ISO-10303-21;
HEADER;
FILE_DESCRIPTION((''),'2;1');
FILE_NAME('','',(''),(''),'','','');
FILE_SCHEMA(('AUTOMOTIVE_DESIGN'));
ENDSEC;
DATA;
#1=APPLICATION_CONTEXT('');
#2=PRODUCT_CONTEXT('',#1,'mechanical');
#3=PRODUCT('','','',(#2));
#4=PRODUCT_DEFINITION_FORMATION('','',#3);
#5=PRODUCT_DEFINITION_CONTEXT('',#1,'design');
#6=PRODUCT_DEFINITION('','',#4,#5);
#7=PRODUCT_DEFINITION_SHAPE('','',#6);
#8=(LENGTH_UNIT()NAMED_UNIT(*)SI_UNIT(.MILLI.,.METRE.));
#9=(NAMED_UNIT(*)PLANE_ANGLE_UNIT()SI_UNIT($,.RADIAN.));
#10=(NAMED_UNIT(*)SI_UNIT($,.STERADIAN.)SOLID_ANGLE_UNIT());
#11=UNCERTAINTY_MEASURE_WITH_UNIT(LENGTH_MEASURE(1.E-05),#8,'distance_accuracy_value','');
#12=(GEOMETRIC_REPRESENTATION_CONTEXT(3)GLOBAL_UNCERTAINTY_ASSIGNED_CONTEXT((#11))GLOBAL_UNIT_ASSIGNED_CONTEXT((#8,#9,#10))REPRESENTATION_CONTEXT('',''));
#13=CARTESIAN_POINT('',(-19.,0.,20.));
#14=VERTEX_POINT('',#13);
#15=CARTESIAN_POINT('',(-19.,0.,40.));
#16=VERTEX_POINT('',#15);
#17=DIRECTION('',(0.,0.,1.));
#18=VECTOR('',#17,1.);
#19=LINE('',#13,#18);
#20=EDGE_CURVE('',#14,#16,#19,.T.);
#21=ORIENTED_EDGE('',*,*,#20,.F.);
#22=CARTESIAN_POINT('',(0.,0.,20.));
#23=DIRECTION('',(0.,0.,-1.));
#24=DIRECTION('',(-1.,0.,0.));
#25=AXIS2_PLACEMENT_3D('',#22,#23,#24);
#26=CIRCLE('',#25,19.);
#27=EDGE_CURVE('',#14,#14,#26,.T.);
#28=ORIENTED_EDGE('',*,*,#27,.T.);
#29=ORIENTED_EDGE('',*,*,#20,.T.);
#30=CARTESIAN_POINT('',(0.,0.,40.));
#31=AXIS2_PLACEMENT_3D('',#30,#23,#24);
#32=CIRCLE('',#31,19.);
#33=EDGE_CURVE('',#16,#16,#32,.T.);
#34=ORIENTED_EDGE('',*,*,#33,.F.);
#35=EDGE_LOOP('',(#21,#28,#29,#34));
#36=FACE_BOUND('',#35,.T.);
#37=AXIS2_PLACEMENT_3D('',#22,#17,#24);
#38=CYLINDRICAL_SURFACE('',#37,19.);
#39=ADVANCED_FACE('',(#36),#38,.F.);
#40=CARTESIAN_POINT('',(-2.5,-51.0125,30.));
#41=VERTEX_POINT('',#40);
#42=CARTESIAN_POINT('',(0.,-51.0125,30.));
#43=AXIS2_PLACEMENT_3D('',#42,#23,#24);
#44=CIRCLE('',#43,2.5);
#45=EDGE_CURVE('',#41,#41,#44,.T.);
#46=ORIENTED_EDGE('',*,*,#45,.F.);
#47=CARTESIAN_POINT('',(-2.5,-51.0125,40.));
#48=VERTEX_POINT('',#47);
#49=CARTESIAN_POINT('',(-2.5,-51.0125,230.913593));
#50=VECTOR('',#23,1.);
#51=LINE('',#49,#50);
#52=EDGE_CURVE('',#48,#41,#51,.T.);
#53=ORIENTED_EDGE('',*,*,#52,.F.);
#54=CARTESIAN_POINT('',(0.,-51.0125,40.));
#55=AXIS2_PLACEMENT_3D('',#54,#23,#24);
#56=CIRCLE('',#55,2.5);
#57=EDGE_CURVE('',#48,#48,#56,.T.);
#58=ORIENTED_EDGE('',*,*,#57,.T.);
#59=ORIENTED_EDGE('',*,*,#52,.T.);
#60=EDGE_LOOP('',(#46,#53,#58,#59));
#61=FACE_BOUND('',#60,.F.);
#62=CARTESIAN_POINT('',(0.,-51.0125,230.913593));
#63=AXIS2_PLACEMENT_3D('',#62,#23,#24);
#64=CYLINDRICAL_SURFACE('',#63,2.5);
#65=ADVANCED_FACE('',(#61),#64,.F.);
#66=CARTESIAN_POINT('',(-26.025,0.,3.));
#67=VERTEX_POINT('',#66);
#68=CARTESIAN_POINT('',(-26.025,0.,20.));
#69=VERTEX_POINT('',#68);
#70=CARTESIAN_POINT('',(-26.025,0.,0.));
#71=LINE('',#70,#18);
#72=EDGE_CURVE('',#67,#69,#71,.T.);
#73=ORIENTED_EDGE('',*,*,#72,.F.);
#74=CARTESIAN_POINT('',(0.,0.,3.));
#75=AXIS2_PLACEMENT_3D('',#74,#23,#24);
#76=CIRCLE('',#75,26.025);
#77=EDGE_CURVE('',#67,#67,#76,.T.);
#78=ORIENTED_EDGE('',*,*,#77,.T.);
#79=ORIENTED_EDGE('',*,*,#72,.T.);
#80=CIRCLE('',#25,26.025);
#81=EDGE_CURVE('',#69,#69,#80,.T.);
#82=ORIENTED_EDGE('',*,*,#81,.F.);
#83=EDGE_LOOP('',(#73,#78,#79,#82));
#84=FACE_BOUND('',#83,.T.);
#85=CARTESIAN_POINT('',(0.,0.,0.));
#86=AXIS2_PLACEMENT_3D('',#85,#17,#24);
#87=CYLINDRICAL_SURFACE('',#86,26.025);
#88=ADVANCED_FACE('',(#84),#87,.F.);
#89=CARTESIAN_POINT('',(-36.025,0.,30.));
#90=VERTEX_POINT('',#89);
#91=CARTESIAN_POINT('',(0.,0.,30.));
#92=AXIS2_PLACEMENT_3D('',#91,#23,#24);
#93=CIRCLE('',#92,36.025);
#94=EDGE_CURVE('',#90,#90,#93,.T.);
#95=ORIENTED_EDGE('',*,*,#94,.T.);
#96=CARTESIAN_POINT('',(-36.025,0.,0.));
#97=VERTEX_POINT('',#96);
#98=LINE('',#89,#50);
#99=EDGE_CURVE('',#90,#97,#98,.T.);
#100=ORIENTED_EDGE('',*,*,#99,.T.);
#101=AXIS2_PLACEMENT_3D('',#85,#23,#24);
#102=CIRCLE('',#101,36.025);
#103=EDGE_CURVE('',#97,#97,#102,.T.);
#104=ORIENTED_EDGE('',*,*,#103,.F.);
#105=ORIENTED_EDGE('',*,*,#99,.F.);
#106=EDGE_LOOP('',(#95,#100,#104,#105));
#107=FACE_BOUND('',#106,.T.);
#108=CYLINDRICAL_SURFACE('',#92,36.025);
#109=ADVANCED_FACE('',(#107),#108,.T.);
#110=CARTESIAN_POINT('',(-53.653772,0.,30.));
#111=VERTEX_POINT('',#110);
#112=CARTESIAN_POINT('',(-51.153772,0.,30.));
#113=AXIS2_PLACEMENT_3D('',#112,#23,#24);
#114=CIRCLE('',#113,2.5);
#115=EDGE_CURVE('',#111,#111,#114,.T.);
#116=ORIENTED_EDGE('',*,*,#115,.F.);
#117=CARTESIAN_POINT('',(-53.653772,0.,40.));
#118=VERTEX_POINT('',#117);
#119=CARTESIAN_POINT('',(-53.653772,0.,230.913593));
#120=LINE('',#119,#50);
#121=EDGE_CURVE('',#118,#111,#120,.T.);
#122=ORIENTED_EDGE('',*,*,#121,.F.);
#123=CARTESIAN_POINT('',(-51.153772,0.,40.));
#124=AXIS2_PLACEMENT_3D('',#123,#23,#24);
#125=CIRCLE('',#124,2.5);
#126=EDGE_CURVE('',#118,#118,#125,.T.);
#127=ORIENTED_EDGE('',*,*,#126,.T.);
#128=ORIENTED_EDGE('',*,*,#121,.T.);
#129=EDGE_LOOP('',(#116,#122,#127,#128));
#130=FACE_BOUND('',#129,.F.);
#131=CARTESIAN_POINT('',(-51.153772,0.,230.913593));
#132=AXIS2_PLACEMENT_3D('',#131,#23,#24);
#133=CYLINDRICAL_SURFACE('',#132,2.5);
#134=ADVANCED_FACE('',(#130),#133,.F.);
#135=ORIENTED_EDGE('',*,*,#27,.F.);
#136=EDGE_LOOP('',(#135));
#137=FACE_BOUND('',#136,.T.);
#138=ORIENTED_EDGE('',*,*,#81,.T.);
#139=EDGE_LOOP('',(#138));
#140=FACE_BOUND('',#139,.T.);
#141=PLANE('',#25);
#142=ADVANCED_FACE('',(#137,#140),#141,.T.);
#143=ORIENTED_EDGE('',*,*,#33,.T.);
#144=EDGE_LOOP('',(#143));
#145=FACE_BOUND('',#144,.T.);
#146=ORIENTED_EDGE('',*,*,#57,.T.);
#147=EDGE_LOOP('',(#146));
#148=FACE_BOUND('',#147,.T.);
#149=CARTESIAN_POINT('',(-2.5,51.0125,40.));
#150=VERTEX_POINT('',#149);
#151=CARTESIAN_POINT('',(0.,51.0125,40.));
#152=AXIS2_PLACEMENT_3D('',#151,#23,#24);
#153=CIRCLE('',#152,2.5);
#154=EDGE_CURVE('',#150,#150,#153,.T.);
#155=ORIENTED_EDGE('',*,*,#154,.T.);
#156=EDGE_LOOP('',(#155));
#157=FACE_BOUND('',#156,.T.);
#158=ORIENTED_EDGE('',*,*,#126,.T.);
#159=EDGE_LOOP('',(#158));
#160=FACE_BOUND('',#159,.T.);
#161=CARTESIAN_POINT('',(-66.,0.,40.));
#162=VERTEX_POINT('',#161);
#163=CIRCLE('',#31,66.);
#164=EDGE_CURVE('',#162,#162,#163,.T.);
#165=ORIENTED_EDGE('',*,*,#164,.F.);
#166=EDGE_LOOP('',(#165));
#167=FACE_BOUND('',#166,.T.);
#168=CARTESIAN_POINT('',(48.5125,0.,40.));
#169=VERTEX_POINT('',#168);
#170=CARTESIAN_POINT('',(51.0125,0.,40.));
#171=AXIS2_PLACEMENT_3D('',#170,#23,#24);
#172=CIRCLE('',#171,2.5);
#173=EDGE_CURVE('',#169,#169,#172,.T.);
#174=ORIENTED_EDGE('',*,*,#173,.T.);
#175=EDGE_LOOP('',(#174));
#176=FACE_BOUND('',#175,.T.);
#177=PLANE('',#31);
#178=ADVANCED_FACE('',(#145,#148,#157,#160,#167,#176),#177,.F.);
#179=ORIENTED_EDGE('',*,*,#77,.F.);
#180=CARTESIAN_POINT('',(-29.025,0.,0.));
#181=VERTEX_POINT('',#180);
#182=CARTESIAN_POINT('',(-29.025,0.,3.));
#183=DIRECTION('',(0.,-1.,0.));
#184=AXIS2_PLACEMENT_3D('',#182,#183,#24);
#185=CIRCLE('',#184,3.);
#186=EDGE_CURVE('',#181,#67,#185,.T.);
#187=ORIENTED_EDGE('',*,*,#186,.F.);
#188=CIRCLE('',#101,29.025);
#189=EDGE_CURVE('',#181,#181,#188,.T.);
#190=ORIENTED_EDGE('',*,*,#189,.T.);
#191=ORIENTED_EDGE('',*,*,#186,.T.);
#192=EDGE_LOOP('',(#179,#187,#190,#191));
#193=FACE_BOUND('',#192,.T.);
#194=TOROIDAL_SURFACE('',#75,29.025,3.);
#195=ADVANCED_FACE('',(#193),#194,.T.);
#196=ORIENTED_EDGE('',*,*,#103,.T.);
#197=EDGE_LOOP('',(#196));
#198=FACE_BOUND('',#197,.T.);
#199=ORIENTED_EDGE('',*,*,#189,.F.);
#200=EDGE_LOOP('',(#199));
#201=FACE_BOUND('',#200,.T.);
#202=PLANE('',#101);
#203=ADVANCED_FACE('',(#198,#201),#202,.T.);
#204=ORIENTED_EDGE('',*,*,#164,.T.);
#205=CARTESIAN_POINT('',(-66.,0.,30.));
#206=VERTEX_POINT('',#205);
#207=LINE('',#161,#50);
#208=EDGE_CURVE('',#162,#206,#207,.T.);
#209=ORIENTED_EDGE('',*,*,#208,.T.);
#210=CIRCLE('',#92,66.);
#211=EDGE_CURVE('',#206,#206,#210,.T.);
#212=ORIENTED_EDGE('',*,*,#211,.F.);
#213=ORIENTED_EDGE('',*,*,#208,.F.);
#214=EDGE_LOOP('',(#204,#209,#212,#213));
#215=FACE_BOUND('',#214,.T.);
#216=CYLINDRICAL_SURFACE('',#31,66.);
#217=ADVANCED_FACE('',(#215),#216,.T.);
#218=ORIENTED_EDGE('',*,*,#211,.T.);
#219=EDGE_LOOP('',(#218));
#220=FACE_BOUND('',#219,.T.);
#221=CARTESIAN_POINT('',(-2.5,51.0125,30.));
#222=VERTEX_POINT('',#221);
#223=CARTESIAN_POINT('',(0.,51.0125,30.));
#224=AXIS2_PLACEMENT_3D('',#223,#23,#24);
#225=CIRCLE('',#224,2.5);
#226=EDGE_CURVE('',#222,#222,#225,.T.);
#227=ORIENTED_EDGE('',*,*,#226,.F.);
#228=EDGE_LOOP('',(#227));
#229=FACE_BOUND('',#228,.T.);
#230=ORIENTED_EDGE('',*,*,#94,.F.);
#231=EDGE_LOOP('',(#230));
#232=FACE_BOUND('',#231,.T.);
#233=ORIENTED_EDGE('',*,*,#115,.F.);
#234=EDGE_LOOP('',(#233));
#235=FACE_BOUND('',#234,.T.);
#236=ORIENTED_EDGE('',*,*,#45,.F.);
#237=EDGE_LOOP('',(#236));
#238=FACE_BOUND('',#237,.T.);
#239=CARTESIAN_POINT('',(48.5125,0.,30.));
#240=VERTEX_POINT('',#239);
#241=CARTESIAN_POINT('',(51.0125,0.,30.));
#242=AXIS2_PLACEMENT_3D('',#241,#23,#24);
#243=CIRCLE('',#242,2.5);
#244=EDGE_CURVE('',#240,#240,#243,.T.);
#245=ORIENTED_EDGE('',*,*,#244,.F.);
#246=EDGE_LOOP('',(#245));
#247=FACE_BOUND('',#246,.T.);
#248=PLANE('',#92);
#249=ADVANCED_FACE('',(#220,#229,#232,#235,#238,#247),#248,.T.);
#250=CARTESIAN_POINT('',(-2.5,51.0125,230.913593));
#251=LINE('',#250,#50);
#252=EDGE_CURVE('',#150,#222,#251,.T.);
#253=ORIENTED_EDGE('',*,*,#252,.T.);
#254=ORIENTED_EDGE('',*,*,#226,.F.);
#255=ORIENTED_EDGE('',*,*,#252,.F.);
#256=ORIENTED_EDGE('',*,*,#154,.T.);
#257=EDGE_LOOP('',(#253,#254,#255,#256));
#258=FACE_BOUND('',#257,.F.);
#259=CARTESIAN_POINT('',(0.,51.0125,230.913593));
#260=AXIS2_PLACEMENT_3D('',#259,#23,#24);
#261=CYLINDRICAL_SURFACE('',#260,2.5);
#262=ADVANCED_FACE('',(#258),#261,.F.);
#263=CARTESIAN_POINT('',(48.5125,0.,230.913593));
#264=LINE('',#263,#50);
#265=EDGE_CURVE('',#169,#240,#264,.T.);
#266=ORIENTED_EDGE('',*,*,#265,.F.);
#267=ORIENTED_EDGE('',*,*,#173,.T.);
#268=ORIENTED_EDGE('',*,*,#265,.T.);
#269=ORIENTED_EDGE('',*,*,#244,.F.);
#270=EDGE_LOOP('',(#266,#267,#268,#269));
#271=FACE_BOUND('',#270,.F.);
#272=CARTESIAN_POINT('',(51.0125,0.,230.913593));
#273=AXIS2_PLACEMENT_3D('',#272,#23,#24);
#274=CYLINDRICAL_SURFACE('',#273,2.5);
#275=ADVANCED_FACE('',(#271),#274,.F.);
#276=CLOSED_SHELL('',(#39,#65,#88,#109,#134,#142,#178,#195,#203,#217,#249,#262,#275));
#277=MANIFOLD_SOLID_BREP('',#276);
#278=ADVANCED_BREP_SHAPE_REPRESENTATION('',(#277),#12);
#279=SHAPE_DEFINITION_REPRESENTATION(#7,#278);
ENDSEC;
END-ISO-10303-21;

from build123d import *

# Parameters (mm, degrees)
F5_D = 5
F6_R = 3
F8_D = 5


with BuildPart() as f1:
    # F0 (on Front) → F1 (revolve)
    with BuildSketch(Plane.XZ):
        Polygon((-36.025, 0), (-26.025, 0), (-26.025, 20), (-19, 20), (-19, 40), (-66, 40), (-66, 30), (-36.025, 30), align=None)
    revolve(axis=Axis((0, 0, -7.200188), (0, 0, -1)))

    # F5 (through all)
    with Locations(Plane.XY.offset(40)):
        with Locations((0, 51.0125), (0, -51.0125)):
            Hole(F5_D / 2)

    # F6
    f6_edges = [f1.edges().sort_by_distance(p)[0] for p in [
        (26.025, 0, 0),
    ]]
    fillet(f6_edges, radius=F6_R)

    # F8 (through all)
    with Locations(Plane.XY.offset(40)):
        with Locations((51.0125, 0), (-51.153772, 0)):
            Hole(F8_D / 2)


solid = f1.part
